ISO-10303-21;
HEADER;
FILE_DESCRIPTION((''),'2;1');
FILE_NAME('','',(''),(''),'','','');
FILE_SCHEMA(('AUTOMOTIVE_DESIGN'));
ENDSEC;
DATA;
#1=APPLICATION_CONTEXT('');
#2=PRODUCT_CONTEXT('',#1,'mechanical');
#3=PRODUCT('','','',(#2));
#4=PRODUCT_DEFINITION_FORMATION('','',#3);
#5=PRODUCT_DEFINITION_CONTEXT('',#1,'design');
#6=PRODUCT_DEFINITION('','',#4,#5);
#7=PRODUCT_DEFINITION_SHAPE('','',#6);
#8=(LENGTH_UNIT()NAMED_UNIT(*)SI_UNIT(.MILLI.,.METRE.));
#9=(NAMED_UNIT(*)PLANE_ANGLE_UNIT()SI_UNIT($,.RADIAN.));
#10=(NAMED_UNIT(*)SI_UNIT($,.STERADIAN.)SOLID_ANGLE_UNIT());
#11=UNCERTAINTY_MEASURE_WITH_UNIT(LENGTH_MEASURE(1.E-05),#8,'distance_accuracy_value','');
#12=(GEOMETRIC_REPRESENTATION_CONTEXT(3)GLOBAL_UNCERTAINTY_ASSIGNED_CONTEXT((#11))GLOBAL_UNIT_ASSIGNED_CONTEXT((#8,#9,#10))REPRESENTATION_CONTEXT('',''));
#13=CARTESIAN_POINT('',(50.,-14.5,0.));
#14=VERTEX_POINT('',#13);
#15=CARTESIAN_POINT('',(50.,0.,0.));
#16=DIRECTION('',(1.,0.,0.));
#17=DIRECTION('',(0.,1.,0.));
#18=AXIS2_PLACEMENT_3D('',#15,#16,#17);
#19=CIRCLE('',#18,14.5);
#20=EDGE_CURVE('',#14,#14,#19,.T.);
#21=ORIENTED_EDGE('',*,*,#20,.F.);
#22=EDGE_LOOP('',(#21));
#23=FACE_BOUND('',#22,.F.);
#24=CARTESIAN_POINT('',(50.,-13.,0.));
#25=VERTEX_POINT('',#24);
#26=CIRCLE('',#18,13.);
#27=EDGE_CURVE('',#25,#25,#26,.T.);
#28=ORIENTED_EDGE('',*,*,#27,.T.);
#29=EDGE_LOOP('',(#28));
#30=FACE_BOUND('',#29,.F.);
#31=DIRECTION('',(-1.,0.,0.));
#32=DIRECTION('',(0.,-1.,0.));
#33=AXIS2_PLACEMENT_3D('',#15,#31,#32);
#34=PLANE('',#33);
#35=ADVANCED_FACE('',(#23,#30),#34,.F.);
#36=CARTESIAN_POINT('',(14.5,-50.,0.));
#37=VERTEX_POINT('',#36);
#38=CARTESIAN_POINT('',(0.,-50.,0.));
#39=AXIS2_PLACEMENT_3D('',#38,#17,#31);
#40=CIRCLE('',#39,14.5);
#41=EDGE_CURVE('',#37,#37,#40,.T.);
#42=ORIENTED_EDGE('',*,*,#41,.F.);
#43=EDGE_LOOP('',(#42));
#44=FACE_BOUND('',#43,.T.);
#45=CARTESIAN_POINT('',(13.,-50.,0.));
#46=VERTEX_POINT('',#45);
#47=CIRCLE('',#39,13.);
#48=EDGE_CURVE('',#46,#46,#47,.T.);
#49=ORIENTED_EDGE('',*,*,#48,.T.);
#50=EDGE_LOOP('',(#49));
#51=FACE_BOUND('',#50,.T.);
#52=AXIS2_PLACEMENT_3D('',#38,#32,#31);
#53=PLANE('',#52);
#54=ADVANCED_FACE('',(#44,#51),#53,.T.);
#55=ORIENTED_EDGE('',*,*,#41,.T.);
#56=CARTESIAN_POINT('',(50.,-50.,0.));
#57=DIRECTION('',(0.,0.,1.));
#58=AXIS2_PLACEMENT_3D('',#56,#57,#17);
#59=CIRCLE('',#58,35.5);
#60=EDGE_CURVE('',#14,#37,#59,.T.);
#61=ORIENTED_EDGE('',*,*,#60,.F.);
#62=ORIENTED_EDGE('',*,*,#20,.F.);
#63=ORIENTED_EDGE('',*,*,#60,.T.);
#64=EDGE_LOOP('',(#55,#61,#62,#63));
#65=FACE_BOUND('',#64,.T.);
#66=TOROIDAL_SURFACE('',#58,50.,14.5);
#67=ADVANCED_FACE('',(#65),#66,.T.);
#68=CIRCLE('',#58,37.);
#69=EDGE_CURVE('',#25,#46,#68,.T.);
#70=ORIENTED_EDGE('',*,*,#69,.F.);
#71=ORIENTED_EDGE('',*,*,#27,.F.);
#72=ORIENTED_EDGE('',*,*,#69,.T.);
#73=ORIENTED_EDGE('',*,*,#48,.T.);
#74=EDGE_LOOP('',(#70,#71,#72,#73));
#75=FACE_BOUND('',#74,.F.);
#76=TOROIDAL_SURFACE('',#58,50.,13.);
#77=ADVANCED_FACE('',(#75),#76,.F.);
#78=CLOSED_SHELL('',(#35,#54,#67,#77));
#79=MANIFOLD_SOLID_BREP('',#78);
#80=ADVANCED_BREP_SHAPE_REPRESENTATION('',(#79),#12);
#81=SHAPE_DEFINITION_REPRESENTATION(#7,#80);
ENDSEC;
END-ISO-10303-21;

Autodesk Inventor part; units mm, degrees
ref_plane "YZ Plane" through (0, 0, 0) normal (1, 0, 0) x (0, 1, 0)
ref_plane "XZ Plane" through (0, 0, 0) normal (0, 1, 0) x (-1, 0, 0)
sketch "Szkic6" plane through (0, 0, 0) normal (0, 0, 1) x (1, 0, 0)
  line L0 (-29.6067, 0) -> (35.2678, 0) construction
  line L1 (0, 42.3419) -> (0, -58.3726) construction
  arc A0 (50, 0) -> (0, -50) centre (50, -50) ccw
  line L2 (0, -50) -> (50, -50) construction
  line L3 (50, -50) -> (50, 15.5331) construction
  line L4 (50, 0) -> (50, 0)
  line L5 (0, -50) -> (0, -50)
  point P0 (0, 0)
  dimension "d24" = 50
  dimension "d31" = 90
  dimension "d36" = 0
  dimension "d37" = 0
ref_plane "Płaszczyzna konstrukcyjna2" through (0, -50, 0) normal (0, -1, 0) x (1, 0, 0)
sketch "Szkic8" plane through (0, -50, 0) normal (0, -1, 0) x (1, 0, 0)
  circle A0 centre (0, 0) radius 14.5
  circle A1 centre (0, 0) radius 13
  dimension "d32" = 29
  dimension "d33" = 1.5
sweep "Przeciągnięcie2" add profiles "Szkic8" path "Szkic6"
equation "\"d32\" = OD"
equation "\"d33\" = THK"
equation "\"d24\" = R"
equation "\"d31\" = KAT"
equation "\"SzerokośćGięciaPodcięcia\" = Grubość"
equation "\"RozmiarPodcięciaNarożnika\" = 4 * Grubość"
equation "\"PromieńPrzejścia\" = PromieńGięcia"
equation "\"Rozmiar_promienia_Jacobiego\" = PromieńGięcia"
equation "\"Wielk_odstępu\" = Grubość"
equation "\"d2\" = PromieńGięcia"
equation "\"d23\" = PromieńGięcia"
equation "\"R\" = 50"
equation "\"OD\" = 29"
equation "\"THK\" = 1.5"
equation "\"KAT\" = 90deg"
equation "\"PROSTKA\" = 0"
equation "\"Grubość\" = 1.5"
equation "\"PromieńGięcia\" = 3"
properties part number "Kolano 90° ø29x1,5 R50" material "304L"
